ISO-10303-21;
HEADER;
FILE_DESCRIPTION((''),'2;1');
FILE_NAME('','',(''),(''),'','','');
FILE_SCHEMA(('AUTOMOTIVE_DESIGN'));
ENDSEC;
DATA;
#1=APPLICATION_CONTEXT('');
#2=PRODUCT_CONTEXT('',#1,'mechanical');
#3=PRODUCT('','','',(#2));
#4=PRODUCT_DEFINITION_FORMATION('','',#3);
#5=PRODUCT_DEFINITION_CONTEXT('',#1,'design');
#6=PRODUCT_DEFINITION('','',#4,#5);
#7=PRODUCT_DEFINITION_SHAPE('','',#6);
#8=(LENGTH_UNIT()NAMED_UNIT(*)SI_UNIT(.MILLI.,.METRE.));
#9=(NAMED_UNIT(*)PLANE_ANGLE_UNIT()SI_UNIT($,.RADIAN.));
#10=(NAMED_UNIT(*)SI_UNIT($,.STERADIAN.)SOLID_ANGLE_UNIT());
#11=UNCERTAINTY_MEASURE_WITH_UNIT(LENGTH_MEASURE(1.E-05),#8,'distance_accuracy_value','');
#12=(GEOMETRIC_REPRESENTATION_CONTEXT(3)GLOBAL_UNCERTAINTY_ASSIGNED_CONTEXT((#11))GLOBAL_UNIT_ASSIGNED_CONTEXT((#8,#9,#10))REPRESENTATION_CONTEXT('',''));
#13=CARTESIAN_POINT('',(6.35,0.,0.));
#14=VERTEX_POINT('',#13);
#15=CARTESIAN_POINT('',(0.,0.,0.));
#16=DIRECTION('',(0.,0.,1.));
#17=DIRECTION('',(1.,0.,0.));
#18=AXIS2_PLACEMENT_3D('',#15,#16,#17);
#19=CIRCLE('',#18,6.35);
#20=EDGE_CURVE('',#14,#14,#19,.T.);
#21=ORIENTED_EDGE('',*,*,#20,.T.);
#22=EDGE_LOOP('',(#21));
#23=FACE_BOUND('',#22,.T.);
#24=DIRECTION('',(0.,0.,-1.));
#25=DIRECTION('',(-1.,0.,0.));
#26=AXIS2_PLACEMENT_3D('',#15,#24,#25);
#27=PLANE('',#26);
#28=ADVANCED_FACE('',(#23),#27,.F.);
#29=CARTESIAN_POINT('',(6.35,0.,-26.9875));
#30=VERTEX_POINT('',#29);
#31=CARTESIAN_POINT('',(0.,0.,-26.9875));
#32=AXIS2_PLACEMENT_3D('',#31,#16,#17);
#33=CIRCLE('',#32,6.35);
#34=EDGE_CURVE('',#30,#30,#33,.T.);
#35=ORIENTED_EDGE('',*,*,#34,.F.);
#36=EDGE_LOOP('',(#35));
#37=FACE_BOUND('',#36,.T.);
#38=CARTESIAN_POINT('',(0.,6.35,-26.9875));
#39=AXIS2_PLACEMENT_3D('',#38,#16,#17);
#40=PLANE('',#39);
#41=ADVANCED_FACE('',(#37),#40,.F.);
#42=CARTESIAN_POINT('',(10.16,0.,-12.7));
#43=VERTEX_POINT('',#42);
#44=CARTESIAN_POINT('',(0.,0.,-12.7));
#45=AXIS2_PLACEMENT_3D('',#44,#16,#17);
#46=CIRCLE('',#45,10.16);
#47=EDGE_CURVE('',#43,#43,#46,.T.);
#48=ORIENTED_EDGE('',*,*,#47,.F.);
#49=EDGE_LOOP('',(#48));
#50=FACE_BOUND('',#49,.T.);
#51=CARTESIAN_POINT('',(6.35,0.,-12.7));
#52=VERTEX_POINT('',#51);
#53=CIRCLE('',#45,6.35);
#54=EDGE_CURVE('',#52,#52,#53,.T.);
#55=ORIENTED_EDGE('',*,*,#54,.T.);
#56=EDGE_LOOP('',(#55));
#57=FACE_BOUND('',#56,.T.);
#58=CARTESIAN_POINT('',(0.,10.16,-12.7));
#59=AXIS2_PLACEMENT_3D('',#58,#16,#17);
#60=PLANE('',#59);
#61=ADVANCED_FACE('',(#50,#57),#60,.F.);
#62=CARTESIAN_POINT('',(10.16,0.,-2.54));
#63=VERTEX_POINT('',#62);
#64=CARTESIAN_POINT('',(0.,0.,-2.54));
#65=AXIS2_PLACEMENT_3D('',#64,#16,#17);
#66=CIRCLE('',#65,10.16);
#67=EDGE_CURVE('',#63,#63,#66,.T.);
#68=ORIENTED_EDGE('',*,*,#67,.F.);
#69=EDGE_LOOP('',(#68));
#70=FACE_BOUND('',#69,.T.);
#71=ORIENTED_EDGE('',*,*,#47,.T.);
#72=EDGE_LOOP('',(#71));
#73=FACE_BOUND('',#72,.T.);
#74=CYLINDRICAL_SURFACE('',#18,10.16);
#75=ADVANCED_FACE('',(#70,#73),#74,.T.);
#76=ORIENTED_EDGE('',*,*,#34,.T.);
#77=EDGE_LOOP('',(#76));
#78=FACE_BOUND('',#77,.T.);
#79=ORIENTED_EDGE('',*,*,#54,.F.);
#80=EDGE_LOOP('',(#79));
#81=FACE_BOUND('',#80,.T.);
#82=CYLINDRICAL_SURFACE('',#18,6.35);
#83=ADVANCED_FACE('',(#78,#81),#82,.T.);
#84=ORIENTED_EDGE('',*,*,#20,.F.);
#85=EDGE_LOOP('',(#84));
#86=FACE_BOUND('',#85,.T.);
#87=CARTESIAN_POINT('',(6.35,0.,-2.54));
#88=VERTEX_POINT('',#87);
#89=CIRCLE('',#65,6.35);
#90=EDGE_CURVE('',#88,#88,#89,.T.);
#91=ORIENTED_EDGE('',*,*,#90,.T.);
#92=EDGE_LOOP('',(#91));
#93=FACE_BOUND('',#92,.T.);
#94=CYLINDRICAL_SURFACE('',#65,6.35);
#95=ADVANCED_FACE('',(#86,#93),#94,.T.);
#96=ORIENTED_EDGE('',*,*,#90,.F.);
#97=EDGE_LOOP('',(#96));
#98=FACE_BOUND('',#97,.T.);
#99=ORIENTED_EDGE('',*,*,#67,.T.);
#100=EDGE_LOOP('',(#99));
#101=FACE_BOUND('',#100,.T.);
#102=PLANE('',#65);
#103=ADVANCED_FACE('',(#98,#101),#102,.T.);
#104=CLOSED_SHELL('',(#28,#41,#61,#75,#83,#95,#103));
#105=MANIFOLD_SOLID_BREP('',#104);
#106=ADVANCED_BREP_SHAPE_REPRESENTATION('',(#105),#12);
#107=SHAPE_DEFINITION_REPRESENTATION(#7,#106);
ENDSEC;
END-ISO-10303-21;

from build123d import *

# Parameters (mm, degrees)
CUT_EXTRUDE1_START = -2.54
SKETCH2_R          = 10.195320638
SKETCH2_R_2        = 6.35
CUT_EXTRUDE1_DEPTH = 2.54


with BuildPart() as part:
    # Sketch1 → Revolve1 (revolve)
    with BuildSketch(Plane(origin=(0, 0, 0), x_dir=(0, 0, -1), z_dir=(1, 0, 0)), mode=Mode.PRIVATE) as revolve1_sk:
        Polygon((0, 0), (0, 10.16), (12.7, 10.16), (12.7, 6.35), (26.9875, 6.35), (26.9875, 0), align=None)
    revolve(revolve1_sk.sketch.rotate(Axis((0, 0, 0), (0, 0, -1)), 90), axis=Axis((0, 0, 0), (0, 0, -1)))

    # Sketch2 → Cut-Extrude1 (cut)
    with BuildSketch(Plane.XY.offset(CUT_EXTRUDE1_START)):
        Circle(SKETCH2_R)
        Circle(SKETCH2_R_2, mode=Mode.SUBTRACT)
    extrude(amount=CUT_EXTRUDE1_DEPTH, mode=Mode.SUBTRACT)


solid = part.part
